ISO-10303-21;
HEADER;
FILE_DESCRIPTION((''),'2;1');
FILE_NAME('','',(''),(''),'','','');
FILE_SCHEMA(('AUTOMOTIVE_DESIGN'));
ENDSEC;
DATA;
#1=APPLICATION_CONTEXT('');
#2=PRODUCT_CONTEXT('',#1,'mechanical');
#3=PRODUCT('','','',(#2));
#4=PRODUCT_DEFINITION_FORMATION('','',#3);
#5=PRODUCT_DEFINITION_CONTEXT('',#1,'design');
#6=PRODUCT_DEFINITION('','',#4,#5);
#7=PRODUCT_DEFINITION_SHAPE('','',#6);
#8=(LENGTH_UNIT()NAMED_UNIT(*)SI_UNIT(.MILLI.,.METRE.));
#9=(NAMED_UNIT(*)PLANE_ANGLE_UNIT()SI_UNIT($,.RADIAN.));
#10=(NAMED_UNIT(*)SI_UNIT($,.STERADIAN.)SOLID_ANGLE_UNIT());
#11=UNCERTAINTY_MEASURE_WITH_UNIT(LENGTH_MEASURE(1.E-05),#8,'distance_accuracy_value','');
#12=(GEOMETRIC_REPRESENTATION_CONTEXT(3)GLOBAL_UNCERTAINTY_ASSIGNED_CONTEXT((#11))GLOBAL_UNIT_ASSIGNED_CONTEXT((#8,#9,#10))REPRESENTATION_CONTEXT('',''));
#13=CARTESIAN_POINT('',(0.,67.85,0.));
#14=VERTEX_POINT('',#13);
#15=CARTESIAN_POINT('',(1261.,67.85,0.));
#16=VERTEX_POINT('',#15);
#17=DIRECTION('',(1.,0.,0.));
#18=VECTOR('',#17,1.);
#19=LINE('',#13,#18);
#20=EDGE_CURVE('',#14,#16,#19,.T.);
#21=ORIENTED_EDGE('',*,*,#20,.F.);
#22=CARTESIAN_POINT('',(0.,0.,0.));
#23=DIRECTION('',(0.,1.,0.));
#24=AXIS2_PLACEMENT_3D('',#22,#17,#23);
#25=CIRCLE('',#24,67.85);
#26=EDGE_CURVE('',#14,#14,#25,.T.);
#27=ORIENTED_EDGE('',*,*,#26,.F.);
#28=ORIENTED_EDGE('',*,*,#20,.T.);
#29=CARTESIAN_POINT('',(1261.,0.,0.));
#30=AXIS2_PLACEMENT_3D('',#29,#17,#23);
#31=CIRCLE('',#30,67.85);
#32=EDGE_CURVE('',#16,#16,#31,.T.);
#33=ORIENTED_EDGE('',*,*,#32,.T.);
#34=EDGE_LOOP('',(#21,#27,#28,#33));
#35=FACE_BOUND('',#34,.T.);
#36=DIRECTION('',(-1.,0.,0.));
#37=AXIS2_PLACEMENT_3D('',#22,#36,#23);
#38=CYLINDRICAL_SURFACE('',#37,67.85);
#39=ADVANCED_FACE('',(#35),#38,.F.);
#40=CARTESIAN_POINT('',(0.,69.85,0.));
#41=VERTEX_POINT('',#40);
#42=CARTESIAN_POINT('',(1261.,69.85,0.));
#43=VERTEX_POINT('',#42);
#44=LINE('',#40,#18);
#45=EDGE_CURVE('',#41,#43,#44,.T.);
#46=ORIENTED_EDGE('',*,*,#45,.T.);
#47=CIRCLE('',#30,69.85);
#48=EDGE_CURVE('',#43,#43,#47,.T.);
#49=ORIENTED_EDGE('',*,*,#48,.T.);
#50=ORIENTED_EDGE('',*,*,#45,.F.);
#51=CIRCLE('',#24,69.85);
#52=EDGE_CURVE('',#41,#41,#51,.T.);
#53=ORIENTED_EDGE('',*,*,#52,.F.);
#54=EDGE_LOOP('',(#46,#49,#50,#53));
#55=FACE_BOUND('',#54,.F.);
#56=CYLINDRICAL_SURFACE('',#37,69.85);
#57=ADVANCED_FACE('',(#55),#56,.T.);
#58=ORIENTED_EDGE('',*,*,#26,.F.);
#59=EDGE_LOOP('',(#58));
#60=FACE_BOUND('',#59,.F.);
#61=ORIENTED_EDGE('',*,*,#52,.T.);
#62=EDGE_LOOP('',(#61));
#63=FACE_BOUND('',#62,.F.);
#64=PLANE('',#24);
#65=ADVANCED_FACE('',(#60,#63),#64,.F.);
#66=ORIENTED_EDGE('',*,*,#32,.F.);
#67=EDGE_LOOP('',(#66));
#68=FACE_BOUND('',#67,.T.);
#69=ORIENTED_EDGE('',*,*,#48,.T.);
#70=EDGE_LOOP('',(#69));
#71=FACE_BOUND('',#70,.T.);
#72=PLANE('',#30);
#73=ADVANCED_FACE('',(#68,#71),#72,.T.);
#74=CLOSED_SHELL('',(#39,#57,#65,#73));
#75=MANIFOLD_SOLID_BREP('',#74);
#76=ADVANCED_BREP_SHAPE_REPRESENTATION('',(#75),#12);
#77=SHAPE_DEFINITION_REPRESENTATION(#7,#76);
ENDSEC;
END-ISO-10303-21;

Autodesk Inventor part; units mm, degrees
ref_plane "YZ Plane" through (0, 0, 0) normal (1, 0, 0) x (0, 1, 0)
ref_plane "XZ Plane" through (0, 0, 0) normal (0, 1, 0) x (-1, 0, 0)
ref_plane "XY Plane" through (0, 0, 0) normal (0, 0, 1) x (1, 0, 0)
sketch "Sketch1" plane through (0, 0, 0) normal (1, 0, 0) x (0, 1, 0)
  circle A0 centre (0, 0) radius 69.85
  circle A1 centre (0, 0) radius 67.85
  dimension "d0" = 139.7
  dimension "d1" = 2
extrude "Extrusion1" add sketch "Sketch1" along normal blind 1261
equation "\"d0\" = OD"
equation "\"d1\" = t"
equation "\"d2\" = L"
equation "\"OD\" = 139.7"
equation "\"t\" = 2"
equation "\"L\" = PL"
equation "\"ID\" = 135.7"
equation "\"PL\" = 1261"
equation "\"Size_Designation\" = 1.2345"
properties material "Steel"
